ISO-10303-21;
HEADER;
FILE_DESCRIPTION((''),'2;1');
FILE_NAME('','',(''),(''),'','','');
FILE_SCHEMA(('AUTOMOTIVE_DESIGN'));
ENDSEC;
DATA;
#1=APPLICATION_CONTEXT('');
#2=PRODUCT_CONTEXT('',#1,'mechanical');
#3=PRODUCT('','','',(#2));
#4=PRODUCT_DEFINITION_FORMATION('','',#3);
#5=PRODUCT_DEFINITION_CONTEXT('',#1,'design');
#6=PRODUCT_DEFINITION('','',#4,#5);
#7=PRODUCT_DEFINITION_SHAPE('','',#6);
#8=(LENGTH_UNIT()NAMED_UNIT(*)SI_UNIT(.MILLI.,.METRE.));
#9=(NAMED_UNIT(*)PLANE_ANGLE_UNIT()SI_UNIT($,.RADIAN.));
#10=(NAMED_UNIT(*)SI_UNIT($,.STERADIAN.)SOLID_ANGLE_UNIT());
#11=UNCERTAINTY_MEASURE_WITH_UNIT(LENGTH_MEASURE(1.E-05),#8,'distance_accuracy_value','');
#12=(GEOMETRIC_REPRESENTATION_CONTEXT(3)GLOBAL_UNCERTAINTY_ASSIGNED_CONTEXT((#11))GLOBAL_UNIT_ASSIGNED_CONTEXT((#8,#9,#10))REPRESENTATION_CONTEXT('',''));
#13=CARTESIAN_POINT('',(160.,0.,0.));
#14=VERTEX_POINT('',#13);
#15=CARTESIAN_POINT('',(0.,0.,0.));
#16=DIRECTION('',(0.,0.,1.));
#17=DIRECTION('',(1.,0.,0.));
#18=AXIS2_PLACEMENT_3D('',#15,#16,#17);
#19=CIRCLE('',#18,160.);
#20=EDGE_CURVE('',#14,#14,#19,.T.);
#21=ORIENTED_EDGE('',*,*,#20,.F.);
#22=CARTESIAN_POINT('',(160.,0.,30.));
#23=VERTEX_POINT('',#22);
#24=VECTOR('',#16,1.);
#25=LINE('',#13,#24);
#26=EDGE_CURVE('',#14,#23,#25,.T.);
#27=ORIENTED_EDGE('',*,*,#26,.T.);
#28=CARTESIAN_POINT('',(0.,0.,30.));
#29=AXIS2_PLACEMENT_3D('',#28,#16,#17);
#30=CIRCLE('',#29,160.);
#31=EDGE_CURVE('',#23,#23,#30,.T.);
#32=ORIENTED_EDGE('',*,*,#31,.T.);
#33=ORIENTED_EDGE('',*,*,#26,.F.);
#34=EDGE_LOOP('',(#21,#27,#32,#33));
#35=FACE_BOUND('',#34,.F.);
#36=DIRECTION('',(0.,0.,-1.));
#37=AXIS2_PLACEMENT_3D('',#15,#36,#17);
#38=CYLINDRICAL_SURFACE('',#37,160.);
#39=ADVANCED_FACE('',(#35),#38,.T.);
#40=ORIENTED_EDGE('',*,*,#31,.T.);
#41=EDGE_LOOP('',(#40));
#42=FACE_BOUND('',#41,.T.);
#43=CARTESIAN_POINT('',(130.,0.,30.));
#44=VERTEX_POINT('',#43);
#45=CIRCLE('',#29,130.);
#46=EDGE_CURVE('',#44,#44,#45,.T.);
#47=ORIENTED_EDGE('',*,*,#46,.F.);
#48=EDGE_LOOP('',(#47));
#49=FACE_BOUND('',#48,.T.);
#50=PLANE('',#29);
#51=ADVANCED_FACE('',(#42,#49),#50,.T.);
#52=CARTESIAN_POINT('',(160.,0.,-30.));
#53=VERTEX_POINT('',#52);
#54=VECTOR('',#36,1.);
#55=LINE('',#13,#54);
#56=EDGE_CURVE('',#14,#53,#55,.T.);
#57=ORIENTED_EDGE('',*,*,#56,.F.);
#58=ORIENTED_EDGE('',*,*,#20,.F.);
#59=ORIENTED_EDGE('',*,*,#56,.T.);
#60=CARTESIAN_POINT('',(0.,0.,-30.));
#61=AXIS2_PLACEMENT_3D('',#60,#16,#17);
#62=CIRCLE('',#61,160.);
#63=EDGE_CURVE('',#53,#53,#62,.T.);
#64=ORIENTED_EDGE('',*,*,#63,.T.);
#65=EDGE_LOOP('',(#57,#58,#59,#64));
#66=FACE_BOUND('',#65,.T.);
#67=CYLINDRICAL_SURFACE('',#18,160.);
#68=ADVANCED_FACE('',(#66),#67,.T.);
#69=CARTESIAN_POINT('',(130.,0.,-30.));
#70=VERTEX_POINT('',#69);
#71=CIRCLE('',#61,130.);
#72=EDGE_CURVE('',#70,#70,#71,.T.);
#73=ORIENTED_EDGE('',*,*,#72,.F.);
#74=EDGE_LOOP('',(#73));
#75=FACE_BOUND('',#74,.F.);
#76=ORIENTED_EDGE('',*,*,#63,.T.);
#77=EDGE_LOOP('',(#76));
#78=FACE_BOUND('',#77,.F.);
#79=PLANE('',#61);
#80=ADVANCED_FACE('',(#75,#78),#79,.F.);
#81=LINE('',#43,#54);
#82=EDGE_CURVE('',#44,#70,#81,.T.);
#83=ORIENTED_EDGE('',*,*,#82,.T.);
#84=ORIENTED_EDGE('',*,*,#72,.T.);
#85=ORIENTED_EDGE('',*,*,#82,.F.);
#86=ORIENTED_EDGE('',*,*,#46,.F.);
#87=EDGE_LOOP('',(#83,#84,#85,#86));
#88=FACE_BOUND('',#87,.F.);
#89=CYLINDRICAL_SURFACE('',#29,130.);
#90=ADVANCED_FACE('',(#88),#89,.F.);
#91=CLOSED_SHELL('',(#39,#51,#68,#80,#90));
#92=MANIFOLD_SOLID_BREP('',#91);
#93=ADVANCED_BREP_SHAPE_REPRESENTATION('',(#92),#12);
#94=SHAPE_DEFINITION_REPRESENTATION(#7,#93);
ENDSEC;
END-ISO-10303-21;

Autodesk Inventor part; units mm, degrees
ref_plane "YZ Plane" through (0, 0, 0) normal (1, 0, 0) x (0, 1, 0)
ref_plane "XZ Plane" through (0, 0, 0) normal (0, 1, 0) x (-1, 0, 0)
ref_plane "XY Plane" through (0, 0, 0) normal (0, 0, 1) x (1, 0, 0)
sketch "Sketch1" plane through (0, 0, 0) normal (0, 0, 1) x (1, 0, 0)
  circle A0 centre (0, 0) radius 160
  dimension "d0" = 320
extrude "Extrusion1" add sketch "Sketch1" along normal mid plane 60
sketch "Sketch2" plane through (0, 0, 30) normal (0, 0, 1) x (1, 0, 0)
  circle A0 centre (0, 0) radius 130
  dimension "d3" = 260
extrude "Extrusion2" cut sketch "Sketch2" against normal through all
properties part number "AGBL06"
